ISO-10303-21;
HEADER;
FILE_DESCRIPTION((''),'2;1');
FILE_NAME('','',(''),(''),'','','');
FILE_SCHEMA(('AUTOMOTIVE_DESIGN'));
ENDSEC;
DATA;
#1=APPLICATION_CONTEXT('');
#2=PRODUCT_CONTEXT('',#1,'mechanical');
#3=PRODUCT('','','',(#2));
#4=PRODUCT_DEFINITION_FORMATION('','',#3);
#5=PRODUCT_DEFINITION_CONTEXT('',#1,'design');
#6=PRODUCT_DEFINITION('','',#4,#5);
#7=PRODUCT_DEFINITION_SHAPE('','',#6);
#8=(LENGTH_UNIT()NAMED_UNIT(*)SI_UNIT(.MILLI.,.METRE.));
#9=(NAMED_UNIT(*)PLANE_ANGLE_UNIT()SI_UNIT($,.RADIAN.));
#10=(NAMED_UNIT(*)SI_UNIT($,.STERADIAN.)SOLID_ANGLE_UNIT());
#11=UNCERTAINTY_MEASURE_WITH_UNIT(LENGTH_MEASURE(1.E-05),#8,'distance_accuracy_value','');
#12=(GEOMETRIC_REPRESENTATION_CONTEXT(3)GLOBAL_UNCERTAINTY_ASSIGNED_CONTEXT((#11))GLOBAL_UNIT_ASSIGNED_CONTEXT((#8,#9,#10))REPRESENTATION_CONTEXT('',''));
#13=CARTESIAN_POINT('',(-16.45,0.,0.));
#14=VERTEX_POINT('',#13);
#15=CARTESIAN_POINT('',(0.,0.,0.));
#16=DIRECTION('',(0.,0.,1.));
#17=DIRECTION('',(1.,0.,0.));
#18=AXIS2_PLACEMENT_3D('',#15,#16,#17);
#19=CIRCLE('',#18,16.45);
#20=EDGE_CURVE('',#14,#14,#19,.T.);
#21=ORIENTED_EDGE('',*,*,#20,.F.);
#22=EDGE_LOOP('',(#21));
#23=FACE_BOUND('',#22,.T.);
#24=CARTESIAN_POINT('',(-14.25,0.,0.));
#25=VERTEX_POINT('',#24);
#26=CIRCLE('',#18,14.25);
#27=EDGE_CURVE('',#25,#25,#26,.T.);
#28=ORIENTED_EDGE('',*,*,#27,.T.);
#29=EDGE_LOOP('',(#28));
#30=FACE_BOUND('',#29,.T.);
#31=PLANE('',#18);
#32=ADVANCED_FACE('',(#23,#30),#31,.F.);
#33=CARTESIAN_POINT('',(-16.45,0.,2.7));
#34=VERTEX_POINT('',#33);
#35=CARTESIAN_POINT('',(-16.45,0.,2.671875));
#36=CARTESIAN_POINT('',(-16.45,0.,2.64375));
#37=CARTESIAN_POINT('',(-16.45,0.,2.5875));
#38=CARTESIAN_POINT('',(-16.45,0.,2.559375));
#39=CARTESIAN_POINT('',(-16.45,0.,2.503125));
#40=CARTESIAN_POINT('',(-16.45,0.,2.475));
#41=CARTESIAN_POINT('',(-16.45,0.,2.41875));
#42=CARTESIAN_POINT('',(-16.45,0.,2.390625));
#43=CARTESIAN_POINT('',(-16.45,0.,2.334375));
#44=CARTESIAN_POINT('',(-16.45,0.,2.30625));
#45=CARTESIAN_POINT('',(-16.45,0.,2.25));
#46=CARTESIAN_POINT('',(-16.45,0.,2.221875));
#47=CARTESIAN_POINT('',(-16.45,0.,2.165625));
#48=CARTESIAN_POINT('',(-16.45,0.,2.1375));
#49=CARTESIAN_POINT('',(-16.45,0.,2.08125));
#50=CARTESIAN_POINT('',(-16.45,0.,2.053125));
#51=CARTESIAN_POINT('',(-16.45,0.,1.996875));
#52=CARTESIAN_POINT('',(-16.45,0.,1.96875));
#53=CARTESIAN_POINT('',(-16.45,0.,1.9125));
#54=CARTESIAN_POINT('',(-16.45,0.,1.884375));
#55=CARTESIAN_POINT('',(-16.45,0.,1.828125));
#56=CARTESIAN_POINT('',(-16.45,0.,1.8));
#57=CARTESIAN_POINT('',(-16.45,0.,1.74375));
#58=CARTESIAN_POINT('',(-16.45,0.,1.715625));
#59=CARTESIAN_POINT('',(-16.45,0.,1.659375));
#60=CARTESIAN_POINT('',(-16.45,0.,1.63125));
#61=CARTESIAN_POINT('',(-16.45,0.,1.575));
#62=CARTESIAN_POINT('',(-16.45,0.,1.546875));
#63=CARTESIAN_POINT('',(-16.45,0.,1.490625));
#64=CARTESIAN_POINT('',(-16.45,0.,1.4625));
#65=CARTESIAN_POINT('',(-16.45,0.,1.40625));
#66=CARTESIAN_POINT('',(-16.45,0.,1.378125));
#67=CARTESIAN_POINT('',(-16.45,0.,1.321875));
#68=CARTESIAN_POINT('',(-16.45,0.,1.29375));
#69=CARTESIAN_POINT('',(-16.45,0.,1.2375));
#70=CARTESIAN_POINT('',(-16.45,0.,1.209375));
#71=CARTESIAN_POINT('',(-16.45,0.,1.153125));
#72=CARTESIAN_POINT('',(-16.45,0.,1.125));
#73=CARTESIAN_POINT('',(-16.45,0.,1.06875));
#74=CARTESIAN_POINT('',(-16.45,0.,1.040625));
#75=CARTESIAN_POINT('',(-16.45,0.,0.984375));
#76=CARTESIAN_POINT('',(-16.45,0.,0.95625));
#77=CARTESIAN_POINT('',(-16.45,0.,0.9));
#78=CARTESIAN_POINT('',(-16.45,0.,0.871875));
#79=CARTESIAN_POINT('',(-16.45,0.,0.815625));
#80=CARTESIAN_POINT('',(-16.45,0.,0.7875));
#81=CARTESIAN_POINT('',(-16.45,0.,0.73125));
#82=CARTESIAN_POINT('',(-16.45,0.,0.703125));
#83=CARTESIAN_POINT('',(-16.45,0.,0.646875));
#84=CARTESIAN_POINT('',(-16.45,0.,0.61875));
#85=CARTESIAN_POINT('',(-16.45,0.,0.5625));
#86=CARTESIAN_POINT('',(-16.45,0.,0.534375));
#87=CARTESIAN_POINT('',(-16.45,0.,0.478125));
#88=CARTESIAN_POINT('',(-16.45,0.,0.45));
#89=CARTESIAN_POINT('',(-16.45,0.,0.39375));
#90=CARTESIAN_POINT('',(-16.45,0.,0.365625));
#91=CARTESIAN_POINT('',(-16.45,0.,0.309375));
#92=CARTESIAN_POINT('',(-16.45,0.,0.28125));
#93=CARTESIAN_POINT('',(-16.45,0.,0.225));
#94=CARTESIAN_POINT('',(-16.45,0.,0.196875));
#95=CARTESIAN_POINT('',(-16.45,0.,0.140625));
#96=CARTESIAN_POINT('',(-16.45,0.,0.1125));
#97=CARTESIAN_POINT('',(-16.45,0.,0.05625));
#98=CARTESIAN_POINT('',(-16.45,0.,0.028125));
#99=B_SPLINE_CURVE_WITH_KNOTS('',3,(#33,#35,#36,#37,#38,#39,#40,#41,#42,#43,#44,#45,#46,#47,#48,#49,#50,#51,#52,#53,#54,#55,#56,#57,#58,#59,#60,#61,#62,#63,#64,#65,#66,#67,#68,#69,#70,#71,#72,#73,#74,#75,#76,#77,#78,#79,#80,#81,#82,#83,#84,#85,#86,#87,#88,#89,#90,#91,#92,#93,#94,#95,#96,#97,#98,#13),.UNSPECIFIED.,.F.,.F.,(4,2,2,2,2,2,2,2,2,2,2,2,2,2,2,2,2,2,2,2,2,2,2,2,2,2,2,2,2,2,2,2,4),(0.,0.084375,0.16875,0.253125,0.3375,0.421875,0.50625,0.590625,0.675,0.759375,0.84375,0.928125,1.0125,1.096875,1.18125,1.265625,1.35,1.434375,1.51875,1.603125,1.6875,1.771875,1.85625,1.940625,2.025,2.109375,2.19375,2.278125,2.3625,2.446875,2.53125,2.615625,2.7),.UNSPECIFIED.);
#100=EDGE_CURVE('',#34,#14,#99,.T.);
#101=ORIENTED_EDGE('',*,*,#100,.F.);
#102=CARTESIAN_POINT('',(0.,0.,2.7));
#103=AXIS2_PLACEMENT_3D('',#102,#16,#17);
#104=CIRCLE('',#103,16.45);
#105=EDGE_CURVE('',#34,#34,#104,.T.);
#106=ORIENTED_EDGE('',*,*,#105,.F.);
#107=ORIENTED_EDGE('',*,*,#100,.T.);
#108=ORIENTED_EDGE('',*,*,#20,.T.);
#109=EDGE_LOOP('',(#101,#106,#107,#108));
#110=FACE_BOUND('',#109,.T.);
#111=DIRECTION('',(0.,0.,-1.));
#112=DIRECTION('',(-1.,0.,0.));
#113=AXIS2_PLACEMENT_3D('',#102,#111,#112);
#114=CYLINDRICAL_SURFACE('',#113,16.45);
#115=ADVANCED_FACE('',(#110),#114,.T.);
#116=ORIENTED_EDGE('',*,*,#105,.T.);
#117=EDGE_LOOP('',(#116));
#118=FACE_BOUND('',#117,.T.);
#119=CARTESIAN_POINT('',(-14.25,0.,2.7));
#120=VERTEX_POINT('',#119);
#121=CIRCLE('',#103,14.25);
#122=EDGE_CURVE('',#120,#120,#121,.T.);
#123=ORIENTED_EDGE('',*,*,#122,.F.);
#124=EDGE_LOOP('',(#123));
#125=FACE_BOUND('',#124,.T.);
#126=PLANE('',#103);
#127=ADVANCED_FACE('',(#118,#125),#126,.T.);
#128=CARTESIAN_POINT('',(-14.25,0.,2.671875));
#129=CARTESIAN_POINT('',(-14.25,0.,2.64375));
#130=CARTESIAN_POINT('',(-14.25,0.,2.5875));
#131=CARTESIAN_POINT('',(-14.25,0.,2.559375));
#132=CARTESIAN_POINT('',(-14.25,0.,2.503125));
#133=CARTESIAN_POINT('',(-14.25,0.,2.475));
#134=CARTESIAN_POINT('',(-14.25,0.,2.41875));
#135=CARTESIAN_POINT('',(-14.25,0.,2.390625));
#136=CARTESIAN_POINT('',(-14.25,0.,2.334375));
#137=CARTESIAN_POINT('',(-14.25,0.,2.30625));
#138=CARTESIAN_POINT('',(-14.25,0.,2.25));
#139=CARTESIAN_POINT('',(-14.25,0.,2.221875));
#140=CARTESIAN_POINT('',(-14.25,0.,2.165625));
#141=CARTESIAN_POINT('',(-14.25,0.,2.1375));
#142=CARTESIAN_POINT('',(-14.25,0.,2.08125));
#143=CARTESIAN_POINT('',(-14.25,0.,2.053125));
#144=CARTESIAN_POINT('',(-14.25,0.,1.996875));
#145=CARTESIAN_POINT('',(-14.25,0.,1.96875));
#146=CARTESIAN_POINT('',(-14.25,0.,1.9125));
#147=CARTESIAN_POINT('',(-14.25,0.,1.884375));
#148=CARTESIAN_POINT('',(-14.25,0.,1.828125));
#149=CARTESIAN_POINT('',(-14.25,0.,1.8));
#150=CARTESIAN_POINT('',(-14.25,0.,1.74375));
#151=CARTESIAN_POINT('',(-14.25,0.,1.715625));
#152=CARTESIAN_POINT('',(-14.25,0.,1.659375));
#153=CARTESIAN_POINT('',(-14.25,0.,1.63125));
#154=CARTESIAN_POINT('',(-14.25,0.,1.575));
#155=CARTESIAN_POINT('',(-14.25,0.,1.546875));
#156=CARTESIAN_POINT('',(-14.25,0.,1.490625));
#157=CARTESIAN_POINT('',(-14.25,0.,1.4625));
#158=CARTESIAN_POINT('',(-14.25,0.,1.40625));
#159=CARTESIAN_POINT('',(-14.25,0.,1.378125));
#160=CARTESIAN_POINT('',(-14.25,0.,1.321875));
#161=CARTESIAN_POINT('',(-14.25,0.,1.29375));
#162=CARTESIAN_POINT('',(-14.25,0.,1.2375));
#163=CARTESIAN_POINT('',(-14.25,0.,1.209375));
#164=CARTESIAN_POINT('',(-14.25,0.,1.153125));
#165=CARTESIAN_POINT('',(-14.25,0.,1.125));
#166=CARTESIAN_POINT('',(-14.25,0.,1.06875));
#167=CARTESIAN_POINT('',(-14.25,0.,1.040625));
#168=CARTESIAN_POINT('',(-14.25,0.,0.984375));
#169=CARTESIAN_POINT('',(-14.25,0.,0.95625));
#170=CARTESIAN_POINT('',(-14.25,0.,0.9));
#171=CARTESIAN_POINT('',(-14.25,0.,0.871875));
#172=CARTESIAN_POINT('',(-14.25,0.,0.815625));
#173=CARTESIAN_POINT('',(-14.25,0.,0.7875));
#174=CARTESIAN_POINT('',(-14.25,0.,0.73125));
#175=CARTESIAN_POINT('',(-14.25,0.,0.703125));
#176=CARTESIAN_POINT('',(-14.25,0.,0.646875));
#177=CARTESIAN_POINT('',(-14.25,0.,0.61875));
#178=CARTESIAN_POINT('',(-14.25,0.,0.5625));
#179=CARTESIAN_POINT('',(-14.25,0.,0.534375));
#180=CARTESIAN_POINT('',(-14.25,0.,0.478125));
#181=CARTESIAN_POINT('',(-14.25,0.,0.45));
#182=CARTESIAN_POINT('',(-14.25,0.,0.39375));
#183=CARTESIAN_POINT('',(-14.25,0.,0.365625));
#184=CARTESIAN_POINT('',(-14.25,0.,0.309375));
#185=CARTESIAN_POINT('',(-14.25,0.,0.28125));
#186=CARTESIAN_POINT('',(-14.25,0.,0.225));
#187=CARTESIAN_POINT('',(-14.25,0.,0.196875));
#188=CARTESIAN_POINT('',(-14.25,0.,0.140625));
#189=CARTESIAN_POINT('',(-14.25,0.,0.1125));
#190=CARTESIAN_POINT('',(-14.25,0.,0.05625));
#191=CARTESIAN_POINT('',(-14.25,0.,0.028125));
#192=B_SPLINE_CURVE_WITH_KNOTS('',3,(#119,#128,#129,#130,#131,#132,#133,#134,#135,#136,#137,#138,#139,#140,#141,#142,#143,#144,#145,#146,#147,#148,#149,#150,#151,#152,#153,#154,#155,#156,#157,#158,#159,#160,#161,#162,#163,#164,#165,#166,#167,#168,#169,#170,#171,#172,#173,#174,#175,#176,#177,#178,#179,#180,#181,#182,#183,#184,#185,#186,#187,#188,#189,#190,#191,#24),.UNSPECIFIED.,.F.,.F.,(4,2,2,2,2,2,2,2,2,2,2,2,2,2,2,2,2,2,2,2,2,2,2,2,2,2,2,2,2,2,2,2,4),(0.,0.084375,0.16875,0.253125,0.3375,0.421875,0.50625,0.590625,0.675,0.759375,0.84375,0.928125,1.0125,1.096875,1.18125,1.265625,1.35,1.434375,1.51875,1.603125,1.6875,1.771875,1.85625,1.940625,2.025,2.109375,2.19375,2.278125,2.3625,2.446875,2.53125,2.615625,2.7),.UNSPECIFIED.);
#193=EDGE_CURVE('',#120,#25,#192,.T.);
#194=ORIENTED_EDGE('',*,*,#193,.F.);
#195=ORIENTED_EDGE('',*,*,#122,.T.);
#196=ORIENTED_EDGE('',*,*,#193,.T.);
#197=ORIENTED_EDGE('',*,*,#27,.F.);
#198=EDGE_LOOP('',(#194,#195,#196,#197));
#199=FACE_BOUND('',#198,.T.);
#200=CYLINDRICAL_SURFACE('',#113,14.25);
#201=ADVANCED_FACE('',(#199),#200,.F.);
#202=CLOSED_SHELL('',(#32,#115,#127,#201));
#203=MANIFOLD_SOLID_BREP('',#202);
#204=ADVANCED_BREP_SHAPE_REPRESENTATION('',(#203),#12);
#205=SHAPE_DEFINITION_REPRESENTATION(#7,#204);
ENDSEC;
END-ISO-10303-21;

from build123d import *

# Parameters (mm, degrees)
SKETCH1_R           = 16.45
SKETCH1_R_2         = 14.25
BOSS_EXTRUDE1_DEPTH = 2.7


with BuildPart() as part:
    # Sketch1 → Boss-Extrude1 (new body)
    with BuildSketch(Plane.XY):
        Circle(SKETCH1_R)
        Circle(SKETCH1_R_2, mode=Mode.SUBTRACT)
    extrude(amount=BOSS_EXTRUDE1_DEPTH)


solid = part.part
